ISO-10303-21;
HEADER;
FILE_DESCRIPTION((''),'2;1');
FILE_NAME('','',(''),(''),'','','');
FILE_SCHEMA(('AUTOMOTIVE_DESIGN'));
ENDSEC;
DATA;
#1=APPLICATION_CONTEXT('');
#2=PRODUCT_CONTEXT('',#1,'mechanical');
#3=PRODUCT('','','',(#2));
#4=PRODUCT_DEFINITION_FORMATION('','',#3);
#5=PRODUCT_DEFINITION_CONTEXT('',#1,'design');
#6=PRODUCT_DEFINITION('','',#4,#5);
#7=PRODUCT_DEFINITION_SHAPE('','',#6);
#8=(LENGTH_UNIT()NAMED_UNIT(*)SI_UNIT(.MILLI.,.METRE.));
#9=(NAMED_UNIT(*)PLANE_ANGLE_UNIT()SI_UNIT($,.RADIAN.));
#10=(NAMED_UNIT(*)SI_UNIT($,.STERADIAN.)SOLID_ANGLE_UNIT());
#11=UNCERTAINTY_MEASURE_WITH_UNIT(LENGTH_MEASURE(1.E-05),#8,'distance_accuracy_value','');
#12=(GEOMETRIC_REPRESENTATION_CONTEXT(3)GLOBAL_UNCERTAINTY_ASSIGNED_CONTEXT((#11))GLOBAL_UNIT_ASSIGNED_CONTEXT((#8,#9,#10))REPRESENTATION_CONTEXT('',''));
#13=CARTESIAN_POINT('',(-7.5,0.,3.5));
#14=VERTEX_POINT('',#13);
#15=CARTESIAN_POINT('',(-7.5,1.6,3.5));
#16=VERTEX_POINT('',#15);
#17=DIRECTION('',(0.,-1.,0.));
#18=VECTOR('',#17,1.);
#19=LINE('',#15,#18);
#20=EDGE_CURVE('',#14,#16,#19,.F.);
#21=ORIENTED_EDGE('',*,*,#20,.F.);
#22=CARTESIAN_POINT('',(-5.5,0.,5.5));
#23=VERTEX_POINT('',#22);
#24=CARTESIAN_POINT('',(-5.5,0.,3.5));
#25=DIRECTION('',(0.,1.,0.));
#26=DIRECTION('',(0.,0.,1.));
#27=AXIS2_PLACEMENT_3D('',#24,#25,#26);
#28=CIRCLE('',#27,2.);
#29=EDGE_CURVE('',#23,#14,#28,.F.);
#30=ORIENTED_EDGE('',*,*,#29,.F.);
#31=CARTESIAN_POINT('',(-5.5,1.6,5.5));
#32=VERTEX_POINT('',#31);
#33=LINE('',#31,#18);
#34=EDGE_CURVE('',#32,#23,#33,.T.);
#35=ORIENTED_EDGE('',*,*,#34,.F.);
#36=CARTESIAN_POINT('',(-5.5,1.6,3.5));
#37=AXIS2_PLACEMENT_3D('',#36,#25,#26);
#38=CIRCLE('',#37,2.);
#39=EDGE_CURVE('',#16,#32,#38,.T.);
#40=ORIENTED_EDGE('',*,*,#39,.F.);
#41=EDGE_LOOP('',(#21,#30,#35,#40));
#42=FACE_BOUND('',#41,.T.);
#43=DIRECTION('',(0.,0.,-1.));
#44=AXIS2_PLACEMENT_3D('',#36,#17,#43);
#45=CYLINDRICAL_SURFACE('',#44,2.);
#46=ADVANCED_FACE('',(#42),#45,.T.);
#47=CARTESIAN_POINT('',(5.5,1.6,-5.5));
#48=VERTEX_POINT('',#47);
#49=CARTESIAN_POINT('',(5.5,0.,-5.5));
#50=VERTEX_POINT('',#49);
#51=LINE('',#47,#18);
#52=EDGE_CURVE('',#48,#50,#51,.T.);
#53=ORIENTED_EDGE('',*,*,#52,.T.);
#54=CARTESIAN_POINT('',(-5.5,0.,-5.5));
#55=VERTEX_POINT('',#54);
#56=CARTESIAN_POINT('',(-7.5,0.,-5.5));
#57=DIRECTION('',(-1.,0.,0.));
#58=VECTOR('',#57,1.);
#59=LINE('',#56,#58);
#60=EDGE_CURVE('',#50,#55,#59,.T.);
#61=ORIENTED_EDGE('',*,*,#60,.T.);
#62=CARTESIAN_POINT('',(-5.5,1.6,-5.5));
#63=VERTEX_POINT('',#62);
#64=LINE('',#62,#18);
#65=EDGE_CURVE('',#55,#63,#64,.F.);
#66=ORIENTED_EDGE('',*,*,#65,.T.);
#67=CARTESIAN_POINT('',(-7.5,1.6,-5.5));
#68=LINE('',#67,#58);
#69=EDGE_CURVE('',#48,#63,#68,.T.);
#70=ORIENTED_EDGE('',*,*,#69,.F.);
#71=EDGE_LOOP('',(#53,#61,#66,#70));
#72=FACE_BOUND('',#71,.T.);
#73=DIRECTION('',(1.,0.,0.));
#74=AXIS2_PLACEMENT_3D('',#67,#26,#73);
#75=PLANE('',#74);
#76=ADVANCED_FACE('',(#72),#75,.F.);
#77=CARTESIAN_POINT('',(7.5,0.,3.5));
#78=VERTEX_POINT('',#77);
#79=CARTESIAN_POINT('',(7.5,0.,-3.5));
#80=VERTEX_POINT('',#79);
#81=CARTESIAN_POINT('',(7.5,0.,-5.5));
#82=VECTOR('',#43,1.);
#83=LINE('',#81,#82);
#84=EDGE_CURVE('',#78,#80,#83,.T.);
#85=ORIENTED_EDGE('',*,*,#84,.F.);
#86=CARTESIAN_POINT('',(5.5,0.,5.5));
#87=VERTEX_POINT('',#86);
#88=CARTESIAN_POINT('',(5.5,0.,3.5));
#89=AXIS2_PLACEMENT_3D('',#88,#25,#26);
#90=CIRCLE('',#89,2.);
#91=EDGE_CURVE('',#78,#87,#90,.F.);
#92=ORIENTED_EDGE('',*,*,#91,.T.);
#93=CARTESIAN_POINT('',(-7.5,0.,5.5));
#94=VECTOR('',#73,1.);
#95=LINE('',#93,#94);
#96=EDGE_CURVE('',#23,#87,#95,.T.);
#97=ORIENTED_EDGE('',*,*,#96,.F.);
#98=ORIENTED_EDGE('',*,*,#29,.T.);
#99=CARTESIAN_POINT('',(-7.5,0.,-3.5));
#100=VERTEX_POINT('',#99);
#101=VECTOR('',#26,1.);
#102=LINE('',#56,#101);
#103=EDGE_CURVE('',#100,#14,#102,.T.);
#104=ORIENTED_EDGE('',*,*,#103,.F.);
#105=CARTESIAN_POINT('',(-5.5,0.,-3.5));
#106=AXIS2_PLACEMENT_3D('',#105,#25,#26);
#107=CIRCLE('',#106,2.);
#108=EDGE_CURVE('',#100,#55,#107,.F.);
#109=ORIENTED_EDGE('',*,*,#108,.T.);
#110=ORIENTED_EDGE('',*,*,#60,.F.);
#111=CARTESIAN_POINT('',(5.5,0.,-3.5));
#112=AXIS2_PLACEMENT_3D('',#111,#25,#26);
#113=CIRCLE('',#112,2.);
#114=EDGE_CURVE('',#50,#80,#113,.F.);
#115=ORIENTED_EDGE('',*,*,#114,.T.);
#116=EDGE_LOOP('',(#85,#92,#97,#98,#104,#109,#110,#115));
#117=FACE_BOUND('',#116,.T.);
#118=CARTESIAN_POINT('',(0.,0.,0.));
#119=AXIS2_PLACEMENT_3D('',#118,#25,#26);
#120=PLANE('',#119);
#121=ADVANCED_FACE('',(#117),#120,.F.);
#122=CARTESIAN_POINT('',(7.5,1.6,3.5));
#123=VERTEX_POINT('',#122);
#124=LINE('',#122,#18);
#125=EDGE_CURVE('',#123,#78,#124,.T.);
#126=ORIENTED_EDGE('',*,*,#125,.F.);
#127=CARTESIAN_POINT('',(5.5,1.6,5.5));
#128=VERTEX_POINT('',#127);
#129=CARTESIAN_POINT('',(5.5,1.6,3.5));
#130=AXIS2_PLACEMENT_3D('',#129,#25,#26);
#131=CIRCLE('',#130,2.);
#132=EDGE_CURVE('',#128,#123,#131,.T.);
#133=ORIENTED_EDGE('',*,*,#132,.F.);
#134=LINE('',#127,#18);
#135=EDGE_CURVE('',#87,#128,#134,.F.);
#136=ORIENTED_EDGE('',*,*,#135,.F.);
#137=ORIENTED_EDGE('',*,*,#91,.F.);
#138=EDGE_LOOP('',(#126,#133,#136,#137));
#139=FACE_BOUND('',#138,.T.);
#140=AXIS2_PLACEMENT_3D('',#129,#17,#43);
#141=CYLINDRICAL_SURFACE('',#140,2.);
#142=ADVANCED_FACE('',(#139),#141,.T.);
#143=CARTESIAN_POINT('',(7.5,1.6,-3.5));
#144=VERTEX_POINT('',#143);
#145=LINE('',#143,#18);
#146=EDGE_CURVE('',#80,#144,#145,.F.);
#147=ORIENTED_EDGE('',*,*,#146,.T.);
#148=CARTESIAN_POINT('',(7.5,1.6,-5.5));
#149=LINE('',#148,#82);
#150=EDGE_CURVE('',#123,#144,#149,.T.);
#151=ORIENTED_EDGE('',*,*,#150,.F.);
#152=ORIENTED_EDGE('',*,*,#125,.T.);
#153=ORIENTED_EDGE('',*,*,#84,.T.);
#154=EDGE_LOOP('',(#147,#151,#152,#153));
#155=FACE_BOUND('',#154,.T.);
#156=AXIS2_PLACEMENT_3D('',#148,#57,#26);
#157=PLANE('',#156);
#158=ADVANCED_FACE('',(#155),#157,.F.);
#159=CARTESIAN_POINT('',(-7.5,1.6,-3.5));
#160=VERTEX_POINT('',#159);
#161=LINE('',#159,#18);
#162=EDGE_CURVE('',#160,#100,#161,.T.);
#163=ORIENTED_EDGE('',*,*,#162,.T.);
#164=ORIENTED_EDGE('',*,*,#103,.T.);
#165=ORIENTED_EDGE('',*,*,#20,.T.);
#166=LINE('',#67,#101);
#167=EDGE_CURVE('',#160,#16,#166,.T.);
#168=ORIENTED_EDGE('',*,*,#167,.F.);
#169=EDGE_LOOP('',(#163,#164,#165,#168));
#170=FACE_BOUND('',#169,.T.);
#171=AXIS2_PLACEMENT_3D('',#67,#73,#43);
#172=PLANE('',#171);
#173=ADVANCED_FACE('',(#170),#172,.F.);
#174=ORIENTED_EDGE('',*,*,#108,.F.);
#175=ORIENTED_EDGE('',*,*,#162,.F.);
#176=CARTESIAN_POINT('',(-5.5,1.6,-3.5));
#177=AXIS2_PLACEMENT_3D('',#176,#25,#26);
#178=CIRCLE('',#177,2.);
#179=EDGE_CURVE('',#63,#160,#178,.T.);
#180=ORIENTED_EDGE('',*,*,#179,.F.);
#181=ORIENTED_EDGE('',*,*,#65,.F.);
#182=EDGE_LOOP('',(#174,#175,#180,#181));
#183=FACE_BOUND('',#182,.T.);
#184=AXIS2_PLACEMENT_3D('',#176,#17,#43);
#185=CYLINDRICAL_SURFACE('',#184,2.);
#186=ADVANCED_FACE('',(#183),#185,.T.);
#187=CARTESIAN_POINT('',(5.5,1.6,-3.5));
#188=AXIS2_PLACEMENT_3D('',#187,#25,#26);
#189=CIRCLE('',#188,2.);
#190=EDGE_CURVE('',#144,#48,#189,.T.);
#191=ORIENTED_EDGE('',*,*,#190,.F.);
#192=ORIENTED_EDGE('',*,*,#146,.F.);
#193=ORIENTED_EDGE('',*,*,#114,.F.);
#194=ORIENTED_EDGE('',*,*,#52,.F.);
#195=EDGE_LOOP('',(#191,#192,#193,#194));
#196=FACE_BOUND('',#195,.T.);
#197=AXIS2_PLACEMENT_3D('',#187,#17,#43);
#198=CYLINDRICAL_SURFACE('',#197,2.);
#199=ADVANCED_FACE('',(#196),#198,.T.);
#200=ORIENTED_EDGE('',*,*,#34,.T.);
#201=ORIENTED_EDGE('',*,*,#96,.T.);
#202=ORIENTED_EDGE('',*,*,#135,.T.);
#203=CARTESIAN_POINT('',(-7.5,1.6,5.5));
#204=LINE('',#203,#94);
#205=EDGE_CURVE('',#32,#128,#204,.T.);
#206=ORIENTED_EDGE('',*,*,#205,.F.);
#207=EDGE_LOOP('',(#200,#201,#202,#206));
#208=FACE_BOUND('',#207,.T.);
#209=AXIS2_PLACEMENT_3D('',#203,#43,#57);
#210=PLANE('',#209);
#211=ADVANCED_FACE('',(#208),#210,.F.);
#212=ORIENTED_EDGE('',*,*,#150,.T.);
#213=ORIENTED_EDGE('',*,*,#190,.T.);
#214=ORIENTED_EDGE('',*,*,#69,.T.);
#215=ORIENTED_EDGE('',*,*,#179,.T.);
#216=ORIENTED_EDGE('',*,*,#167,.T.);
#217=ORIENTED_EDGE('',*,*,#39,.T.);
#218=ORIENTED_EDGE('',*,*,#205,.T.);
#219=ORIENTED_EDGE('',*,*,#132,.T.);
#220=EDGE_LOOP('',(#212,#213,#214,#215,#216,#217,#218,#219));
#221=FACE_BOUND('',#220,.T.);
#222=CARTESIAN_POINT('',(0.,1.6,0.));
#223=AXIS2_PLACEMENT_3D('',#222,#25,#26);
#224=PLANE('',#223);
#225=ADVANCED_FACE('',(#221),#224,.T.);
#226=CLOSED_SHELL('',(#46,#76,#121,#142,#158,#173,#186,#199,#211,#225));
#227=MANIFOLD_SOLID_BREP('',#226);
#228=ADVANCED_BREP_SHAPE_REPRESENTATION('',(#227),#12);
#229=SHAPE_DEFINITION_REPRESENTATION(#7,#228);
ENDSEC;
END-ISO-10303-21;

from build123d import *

# Parameters (mm, degrees)
SKETCH_1_W        = 15
SKETCH_1_H        = 11
EXTRUDE_255_DEPTH = 1.6
FILLET_1_R        = 2


with BuildPart() as part:
    # Эскиз1 → Extrude 255 (new body)
    with BuildSketch(Plane(origin=(0, 0, 0), x_dir=(1, 0, 0), z_dir=(0, 1, 0))):
        Rectangle(SKETCH_1_W, SKETCH_1_H)
    extrude(amount=EXTRUDE_255_DEPTH)

    # Скругление1
    fillet_1_edges = [part.edges().sort_by_distance(p)[0] for p in [
        (7.5, 0.8, 5.5),
        (-7.5, 0.8, 5.5),
        (-7.5, 0.8, -5.5),
        (7.5, 0.8, -5.5),
    ]]
    fillet(fillet_1_edges, radius=FILLET_1_R)


solid = part.part
